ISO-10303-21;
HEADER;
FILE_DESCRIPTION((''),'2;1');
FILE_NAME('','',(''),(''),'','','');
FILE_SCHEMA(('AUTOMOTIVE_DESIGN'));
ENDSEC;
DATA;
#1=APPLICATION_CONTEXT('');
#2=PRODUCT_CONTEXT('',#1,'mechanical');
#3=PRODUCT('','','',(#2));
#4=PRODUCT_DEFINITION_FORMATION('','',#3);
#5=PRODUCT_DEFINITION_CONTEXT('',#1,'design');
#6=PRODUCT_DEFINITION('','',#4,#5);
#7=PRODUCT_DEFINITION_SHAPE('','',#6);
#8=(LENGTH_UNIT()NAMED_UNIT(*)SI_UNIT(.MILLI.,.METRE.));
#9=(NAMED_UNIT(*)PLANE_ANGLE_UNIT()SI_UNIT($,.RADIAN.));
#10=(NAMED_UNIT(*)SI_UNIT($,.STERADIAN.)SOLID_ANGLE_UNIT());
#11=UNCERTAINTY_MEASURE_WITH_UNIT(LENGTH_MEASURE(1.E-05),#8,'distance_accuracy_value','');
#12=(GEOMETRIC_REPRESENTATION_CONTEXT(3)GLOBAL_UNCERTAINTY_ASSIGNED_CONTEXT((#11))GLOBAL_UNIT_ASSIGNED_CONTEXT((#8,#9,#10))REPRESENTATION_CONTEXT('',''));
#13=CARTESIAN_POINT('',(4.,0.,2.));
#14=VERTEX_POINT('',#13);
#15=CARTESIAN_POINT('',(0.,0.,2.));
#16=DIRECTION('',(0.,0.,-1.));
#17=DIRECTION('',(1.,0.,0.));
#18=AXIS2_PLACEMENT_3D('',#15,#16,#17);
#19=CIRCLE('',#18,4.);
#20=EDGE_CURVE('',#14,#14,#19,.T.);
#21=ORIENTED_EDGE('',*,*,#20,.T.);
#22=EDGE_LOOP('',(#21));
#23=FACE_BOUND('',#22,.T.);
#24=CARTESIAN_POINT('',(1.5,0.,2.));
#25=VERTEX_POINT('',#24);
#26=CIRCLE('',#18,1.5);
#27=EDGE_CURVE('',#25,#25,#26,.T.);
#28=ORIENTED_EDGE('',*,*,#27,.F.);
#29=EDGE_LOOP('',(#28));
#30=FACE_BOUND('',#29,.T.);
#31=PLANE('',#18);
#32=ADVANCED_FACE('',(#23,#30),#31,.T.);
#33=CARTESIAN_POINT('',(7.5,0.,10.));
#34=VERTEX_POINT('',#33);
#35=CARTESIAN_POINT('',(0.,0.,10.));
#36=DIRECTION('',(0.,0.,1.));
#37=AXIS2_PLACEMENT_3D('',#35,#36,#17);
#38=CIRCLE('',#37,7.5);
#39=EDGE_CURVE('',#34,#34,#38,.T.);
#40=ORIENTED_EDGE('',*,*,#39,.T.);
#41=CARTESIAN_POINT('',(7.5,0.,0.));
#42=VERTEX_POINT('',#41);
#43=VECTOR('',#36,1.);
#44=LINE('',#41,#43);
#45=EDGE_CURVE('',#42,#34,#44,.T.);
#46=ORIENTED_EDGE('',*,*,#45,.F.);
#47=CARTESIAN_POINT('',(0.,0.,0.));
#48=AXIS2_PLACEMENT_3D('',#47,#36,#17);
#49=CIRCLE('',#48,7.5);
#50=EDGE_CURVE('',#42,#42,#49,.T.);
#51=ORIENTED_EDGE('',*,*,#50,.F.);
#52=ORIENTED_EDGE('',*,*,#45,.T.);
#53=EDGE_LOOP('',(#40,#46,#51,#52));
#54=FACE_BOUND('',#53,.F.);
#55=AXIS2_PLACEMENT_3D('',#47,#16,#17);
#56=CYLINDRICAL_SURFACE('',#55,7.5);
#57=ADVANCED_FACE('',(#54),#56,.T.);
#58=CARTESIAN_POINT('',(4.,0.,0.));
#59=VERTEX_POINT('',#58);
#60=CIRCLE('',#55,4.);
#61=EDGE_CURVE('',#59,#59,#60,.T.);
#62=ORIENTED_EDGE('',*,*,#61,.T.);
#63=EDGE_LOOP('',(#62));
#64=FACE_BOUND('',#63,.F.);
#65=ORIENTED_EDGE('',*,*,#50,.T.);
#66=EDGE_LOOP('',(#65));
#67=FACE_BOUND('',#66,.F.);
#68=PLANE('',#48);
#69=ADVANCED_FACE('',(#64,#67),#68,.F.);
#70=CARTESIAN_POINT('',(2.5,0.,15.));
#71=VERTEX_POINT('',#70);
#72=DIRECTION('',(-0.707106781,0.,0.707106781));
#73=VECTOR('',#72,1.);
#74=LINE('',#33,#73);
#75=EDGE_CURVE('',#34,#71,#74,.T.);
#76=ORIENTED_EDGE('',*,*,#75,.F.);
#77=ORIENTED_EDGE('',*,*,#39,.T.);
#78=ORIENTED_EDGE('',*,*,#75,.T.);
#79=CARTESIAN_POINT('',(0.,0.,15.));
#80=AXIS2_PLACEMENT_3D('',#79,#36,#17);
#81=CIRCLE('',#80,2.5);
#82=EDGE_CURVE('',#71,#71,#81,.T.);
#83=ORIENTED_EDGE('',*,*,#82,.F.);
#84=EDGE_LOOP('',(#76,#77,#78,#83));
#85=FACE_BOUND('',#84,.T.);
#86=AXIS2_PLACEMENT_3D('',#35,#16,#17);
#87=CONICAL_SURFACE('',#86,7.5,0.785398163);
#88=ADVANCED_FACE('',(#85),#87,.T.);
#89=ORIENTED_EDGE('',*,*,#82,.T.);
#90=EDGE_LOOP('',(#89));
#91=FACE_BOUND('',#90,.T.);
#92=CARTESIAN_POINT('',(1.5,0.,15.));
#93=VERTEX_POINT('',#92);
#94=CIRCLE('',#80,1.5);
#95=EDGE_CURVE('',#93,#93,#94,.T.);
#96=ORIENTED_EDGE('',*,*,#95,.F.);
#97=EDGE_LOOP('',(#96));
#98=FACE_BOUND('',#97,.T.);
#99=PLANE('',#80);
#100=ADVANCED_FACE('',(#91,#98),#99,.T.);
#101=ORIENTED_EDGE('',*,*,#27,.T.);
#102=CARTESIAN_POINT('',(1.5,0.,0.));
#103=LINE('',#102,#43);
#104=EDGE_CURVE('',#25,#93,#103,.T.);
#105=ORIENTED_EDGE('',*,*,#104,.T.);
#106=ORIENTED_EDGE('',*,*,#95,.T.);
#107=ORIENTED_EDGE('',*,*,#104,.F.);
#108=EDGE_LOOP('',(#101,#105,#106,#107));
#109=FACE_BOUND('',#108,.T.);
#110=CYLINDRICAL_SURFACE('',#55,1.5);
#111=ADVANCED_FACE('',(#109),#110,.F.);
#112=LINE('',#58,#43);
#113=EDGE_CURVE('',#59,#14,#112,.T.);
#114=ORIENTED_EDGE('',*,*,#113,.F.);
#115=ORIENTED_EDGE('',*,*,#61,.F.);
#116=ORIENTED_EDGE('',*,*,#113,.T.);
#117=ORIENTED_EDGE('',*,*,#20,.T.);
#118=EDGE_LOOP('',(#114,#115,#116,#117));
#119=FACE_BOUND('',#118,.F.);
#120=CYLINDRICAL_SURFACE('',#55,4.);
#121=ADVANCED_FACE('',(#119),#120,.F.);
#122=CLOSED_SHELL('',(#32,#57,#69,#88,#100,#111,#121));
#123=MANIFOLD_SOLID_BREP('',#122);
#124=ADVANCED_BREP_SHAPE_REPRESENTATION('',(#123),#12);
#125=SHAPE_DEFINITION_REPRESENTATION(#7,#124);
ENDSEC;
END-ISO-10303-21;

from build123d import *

# Parameters (mm, degrees)
F0_R     = 7.5
F0_R_2   = 1.5
F1_DEPTH = 15
F2_SIZE  = 5
F3_R     = 4
F4_DEPTH = 2


with BuildPart() as f1:
    # F0 (on Top) → F1 (new body)
    with BuildSketch(Plane.XY):
        Circle(F0_R)
        Circle(F0_R_2, mode=Mode.SUBTRACT)
    extrude(amount=F1_DEPTH)

    # F2
    f2_edges = [f1.edges().sort_by_distance(p)[0] for p in [
        (-7.5, 0, 15),
    ]]
    chamfer(f2_edges, length=F2_SIZE)

    # F3 (on face) → F4 (cut)
    with BuildSketch(Plane(origin=(0, 0, 0), x_dir=(1, 0, 0), z_dir=(0, 0, -1))):
        Circle(F3_R)
    extrude(amount=-F4_DEPTH, mode=Mode.SUBTRACT)


solid = f1.part
